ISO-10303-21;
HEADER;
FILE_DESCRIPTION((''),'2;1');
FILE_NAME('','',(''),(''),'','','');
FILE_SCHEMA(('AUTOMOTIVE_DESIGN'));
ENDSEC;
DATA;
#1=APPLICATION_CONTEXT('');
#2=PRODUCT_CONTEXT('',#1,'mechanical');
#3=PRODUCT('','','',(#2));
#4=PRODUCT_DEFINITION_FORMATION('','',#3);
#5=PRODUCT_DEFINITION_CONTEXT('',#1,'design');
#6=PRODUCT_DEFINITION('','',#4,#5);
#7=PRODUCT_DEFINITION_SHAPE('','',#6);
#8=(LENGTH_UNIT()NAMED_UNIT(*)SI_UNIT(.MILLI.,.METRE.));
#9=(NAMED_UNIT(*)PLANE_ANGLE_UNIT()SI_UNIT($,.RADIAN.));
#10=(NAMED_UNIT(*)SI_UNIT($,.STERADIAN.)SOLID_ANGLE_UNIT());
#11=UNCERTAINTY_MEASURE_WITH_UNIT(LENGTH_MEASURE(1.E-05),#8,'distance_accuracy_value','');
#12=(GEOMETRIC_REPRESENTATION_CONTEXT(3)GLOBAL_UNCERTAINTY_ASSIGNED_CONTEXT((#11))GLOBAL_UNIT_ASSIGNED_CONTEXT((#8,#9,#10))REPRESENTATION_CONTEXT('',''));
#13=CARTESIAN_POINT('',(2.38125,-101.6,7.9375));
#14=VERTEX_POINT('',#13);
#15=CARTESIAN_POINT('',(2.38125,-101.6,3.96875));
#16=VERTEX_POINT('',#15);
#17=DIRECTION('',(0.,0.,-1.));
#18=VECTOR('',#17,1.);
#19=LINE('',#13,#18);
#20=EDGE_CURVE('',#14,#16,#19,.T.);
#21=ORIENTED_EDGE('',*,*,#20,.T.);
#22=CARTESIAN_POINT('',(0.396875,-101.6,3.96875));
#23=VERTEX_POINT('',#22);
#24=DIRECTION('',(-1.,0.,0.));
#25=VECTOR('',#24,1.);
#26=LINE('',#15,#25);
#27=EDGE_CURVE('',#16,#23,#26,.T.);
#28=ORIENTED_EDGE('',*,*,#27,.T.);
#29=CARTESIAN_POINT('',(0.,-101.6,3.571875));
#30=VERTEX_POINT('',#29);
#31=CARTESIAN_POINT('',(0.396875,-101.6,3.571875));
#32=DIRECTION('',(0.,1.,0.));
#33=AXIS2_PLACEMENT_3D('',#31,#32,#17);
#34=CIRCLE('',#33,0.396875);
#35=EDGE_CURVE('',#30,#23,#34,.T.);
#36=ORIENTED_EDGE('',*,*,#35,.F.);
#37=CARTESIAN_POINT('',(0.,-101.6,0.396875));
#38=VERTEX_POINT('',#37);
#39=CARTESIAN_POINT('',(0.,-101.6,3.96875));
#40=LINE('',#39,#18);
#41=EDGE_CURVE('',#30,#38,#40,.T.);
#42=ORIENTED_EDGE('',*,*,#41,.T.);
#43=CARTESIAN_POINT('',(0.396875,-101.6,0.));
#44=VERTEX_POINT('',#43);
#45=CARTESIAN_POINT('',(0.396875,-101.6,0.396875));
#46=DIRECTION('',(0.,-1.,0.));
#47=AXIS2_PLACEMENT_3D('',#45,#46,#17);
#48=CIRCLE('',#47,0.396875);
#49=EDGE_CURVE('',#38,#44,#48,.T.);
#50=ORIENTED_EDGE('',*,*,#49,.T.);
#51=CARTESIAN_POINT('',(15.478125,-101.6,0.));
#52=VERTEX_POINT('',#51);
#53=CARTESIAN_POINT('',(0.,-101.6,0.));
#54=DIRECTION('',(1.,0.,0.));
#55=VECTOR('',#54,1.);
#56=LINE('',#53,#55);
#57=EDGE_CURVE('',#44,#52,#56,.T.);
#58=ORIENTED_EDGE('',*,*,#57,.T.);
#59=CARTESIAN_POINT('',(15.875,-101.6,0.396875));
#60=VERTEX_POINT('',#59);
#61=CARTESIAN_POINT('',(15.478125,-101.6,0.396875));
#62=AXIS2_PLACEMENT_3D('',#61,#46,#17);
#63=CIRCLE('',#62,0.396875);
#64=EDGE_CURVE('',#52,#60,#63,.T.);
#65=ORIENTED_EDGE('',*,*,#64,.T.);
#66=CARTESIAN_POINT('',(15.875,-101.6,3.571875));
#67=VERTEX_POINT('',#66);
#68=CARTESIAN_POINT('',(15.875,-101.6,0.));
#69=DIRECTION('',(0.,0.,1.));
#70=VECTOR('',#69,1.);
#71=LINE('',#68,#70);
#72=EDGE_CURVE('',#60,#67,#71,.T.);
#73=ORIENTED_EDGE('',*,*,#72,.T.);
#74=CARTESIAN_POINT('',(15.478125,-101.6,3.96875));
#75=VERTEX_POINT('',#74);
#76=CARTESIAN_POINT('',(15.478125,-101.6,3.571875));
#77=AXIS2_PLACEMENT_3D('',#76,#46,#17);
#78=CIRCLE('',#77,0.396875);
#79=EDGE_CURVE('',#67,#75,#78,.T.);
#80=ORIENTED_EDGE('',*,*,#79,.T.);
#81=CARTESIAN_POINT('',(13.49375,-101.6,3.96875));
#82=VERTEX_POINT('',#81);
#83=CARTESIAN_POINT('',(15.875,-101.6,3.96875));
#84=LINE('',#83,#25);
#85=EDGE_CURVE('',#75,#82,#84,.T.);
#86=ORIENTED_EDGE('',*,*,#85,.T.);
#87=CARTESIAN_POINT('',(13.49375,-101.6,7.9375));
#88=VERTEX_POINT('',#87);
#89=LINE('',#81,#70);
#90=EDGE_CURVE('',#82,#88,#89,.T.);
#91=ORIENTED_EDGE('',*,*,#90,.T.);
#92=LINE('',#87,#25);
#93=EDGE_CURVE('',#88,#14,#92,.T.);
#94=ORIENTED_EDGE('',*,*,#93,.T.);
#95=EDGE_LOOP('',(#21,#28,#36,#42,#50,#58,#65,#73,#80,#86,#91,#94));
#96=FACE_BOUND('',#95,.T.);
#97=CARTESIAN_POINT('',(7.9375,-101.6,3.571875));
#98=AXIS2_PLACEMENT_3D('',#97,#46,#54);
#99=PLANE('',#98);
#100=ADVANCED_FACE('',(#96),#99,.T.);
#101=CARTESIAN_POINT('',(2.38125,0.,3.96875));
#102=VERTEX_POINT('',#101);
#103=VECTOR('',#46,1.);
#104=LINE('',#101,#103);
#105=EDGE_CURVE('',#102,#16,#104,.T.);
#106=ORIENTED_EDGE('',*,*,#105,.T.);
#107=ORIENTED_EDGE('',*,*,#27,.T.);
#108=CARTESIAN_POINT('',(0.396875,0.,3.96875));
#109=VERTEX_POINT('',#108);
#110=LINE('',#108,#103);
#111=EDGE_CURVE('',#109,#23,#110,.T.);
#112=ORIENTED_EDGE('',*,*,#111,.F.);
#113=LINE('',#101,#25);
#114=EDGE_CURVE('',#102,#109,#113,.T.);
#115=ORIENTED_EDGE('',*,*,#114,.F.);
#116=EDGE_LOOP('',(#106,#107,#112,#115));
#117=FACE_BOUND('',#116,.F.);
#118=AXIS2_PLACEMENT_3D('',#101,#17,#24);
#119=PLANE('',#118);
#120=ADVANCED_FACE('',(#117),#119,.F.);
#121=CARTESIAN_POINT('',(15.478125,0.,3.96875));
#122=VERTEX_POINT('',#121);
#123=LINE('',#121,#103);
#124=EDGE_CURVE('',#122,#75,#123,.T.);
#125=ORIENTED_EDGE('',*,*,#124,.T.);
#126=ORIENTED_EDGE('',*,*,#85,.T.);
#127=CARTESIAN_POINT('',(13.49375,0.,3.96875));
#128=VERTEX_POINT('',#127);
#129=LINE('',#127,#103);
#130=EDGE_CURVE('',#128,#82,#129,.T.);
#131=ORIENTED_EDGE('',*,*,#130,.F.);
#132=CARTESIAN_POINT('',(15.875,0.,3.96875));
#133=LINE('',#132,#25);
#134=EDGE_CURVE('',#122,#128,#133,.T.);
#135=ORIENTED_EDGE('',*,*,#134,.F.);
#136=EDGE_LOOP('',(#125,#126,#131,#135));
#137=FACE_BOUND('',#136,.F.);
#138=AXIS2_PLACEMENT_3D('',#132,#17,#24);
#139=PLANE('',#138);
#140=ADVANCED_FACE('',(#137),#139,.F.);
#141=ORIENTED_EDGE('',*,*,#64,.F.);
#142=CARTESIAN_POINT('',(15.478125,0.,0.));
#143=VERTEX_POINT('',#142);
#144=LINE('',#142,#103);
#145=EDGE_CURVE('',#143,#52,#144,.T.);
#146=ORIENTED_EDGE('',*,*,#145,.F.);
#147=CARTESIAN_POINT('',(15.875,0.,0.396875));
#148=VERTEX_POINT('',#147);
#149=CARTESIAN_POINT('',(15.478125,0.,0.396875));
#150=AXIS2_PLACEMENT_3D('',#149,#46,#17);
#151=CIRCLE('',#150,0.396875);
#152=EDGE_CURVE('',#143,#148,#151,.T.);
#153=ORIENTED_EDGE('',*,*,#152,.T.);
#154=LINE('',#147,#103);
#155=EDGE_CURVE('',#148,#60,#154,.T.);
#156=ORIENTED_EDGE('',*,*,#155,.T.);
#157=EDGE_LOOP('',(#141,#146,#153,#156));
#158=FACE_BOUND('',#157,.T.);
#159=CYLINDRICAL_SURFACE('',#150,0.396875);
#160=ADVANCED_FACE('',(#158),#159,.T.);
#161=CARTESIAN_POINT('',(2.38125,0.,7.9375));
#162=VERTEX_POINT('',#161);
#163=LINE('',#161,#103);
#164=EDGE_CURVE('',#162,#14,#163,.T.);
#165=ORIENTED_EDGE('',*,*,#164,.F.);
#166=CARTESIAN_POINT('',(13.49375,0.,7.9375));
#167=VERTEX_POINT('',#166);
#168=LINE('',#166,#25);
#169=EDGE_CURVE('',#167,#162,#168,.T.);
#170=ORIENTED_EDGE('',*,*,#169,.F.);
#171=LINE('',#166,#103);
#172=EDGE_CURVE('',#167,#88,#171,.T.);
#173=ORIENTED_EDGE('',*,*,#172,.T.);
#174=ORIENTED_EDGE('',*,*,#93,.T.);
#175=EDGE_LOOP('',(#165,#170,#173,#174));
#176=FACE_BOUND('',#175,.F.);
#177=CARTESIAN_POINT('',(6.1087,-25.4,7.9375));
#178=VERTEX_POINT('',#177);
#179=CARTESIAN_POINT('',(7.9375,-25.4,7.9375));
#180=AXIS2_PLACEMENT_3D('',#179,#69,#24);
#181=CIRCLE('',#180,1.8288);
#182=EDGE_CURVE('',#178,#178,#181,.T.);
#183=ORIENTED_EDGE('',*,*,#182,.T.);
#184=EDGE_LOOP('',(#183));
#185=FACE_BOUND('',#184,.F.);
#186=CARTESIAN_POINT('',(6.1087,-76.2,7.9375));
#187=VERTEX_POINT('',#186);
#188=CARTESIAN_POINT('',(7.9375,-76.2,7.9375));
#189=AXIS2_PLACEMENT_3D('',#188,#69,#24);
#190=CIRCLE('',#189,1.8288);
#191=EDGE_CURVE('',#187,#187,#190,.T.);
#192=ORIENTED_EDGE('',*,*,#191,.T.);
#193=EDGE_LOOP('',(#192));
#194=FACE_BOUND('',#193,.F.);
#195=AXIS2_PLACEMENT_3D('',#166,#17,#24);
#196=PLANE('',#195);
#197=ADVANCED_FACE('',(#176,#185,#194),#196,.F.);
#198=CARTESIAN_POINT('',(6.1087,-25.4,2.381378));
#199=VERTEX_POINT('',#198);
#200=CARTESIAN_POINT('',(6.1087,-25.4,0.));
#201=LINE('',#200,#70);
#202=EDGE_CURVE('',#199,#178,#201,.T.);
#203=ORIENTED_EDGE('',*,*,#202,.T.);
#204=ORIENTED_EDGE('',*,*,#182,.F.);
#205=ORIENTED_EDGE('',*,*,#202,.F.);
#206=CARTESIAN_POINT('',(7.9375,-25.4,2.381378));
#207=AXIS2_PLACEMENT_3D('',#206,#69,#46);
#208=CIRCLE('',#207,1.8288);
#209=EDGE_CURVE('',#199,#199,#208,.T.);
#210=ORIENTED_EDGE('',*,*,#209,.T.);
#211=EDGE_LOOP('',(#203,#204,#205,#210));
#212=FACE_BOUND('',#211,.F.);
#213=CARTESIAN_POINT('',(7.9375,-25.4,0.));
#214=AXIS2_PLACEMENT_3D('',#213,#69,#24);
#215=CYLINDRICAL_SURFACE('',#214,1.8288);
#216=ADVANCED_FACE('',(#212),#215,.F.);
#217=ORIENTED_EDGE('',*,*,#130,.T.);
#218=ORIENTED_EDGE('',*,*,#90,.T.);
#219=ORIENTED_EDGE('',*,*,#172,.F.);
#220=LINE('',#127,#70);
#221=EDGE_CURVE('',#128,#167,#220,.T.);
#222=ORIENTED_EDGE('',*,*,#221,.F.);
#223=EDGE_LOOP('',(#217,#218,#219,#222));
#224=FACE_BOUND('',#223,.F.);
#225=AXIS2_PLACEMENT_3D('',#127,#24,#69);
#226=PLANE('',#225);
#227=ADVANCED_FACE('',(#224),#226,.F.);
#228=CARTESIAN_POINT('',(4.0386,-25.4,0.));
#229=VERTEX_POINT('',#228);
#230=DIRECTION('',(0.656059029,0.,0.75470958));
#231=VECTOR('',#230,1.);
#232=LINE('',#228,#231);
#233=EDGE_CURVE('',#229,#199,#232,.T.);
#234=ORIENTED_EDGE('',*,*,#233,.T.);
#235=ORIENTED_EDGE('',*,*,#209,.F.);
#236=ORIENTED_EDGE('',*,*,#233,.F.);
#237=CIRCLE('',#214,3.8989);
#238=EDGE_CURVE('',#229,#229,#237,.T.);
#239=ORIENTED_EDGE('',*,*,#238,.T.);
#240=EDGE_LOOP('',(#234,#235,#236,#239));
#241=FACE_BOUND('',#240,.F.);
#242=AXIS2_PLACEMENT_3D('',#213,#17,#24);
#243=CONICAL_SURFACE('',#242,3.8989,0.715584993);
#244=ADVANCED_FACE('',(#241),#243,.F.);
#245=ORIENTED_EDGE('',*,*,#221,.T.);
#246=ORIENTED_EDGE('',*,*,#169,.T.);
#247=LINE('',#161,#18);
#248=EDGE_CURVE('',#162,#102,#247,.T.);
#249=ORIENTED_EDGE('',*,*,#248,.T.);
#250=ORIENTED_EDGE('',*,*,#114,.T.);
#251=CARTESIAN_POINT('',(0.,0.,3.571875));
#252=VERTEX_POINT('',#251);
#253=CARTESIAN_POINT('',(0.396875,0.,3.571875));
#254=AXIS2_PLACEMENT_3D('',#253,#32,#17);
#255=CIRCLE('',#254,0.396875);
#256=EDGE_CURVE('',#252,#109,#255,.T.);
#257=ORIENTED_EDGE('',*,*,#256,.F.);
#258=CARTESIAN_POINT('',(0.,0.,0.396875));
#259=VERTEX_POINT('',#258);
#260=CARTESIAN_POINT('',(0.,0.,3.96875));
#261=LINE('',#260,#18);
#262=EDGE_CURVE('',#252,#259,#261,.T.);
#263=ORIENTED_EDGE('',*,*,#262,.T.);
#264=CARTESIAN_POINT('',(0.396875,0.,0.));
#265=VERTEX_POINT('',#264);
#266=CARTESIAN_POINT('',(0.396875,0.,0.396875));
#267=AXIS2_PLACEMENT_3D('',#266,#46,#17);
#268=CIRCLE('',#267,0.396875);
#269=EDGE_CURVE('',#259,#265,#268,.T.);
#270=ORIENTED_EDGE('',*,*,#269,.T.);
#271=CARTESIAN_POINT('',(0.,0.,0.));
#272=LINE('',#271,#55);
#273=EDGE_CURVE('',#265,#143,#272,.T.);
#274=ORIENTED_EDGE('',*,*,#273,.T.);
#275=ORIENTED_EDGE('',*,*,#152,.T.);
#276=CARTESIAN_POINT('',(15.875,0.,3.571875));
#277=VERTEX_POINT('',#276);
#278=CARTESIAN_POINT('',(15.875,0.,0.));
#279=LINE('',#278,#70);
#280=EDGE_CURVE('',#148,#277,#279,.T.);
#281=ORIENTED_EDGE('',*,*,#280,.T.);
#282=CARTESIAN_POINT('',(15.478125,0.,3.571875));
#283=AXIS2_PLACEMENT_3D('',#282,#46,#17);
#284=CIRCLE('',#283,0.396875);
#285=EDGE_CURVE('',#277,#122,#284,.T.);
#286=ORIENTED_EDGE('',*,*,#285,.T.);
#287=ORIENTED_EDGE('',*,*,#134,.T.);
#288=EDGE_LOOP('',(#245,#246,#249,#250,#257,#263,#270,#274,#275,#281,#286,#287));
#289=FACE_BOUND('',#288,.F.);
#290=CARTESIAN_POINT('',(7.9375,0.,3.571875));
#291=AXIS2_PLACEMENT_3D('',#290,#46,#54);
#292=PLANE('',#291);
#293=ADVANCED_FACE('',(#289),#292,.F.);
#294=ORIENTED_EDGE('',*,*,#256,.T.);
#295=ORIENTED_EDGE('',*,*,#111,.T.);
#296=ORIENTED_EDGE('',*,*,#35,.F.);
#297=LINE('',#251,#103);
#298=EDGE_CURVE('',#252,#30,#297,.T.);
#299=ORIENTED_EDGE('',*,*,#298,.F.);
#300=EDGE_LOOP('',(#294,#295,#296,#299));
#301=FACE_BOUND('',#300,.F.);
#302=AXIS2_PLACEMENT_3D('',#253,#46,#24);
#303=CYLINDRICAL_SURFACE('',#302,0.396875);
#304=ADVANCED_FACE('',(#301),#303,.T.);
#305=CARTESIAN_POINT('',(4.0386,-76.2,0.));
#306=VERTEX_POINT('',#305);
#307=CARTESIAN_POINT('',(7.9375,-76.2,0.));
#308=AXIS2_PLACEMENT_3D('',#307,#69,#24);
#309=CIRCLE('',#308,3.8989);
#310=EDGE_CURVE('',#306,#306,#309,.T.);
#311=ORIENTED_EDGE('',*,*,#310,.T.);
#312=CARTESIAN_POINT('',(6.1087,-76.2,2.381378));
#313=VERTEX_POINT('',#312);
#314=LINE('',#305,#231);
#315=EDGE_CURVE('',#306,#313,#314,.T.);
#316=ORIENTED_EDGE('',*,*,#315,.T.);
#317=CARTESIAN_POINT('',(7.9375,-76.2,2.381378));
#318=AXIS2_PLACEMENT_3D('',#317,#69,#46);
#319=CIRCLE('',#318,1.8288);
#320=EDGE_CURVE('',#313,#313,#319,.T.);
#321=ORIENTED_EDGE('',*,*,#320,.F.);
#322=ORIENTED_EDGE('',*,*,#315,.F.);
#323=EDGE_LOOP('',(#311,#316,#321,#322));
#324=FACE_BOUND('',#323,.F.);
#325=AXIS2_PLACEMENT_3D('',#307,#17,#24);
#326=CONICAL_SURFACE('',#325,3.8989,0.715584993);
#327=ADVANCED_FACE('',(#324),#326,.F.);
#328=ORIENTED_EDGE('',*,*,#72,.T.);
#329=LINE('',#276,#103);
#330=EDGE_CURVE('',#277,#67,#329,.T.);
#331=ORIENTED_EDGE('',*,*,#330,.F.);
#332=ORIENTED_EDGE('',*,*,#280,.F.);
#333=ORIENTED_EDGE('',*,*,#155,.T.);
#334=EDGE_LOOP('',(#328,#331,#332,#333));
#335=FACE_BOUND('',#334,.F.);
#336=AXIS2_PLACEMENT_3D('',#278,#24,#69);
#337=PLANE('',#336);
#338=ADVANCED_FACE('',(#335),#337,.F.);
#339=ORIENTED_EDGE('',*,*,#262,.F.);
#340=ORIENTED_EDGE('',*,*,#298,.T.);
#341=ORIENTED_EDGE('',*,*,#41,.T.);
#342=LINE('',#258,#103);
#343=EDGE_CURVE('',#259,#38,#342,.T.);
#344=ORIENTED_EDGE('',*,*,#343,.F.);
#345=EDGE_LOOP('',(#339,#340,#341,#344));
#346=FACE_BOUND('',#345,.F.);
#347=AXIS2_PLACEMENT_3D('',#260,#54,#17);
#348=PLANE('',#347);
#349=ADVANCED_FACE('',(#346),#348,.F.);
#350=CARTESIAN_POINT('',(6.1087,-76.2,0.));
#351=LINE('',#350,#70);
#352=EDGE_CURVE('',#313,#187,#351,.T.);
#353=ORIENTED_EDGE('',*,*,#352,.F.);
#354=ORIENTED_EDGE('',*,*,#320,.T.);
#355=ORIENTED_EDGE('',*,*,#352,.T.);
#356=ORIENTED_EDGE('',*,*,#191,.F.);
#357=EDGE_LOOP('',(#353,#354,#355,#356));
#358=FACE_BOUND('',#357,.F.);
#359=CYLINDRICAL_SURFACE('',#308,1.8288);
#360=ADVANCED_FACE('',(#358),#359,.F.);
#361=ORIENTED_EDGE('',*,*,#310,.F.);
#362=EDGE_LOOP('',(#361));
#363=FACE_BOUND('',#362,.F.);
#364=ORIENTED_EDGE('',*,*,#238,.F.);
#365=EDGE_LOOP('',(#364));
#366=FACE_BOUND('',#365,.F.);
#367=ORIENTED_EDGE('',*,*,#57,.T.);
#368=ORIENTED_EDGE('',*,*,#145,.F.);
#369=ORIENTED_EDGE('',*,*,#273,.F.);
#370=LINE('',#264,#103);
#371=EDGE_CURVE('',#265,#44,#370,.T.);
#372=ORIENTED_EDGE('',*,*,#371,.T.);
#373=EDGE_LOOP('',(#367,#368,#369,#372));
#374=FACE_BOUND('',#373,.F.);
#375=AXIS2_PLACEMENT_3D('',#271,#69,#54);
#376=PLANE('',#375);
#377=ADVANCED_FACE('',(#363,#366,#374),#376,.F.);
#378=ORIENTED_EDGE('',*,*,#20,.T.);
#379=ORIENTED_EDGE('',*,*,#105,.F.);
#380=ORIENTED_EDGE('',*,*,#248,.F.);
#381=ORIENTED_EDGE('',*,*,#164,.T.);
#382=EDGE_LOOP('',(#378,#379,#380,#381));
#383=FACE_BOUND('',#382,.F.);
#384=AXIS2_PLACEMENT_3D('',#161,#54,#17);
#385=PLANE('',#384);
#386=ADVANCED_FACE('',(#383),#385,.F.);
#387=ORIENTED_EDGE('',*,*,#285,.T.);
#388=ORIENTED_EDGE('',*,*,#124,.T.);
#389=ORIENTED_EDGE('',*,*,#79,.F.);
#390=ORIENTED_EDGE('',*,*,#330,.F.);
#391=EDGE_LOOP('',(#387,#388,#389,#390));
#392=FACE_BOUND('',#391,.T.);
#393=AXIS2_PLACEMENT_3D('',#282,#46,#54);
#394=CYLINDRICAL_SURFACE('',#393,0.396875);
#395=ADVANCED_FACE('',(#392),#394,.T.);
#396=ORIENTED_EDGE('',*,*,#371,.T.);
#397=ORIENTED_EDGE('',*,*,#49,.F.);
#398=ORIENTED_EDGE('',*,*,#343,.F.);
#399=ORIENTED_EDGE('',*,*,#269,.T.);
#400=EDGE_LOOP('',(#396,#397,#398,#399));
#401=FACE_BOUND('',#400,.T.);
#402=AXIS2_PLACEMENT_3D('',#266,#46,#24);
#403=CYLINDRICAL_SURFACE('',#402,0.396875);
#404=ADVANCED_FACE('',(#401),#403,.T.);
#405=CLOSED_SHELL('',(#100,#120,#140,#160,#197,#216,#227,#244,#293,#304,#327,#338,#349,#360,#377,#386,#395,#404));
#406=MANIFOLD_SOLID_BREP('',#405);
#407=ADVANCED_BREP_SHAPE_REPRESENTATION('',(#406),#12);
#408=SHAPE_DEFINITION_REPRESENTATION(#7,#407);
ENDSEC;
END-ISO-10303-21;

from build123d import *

# Parameters (mm, degrees)
F1_DEPTH       = 101.6
F3_R           = 0.396875
F4_D           = 3.6576
F4_CSINK_D     = 7.7978
F4_CSINK_ANGLE = 82


with BuildPart() as f1:
    # F0 (on Front) → F1 (new body)
    with BuildSketch(Plane.XZ):
        Polygon((0, 3.96875), (0, 0), (15.875, 0), (15.875, 3.96875), (13.49375, 3.96875), (13.49375, 7.9375), (2.38125, 7.9375), (2.38125, 3.96875), align=None)
    extrude(amount=F1_DEPTH)

    # F3
    f3_edges = [f1.edges().sort_by_distance(p)[0] for p in [
        (15.875, -50.8, 3.96875),
        (15.875, -50.8, 0),
        (0, -50.8, 3.96875),
        (0, -50.8, 0),
    ]]
    fillet(f3_edges, radius=F3_R)

    # F4 (through all)
    with Locations(Plane(origin=(0, 0, 0), x_dir=(1, 0, 0), z_dir=(0, 0, -1))):
        with Locations((7.9375, 76.2), (7.9375, 25.4)):
            CounterSinkHole(F4_D / 2, F4_CSINK_D / 2, counter_sink_angle=F4_CSINK_ANGLE)


solid = f1.part
